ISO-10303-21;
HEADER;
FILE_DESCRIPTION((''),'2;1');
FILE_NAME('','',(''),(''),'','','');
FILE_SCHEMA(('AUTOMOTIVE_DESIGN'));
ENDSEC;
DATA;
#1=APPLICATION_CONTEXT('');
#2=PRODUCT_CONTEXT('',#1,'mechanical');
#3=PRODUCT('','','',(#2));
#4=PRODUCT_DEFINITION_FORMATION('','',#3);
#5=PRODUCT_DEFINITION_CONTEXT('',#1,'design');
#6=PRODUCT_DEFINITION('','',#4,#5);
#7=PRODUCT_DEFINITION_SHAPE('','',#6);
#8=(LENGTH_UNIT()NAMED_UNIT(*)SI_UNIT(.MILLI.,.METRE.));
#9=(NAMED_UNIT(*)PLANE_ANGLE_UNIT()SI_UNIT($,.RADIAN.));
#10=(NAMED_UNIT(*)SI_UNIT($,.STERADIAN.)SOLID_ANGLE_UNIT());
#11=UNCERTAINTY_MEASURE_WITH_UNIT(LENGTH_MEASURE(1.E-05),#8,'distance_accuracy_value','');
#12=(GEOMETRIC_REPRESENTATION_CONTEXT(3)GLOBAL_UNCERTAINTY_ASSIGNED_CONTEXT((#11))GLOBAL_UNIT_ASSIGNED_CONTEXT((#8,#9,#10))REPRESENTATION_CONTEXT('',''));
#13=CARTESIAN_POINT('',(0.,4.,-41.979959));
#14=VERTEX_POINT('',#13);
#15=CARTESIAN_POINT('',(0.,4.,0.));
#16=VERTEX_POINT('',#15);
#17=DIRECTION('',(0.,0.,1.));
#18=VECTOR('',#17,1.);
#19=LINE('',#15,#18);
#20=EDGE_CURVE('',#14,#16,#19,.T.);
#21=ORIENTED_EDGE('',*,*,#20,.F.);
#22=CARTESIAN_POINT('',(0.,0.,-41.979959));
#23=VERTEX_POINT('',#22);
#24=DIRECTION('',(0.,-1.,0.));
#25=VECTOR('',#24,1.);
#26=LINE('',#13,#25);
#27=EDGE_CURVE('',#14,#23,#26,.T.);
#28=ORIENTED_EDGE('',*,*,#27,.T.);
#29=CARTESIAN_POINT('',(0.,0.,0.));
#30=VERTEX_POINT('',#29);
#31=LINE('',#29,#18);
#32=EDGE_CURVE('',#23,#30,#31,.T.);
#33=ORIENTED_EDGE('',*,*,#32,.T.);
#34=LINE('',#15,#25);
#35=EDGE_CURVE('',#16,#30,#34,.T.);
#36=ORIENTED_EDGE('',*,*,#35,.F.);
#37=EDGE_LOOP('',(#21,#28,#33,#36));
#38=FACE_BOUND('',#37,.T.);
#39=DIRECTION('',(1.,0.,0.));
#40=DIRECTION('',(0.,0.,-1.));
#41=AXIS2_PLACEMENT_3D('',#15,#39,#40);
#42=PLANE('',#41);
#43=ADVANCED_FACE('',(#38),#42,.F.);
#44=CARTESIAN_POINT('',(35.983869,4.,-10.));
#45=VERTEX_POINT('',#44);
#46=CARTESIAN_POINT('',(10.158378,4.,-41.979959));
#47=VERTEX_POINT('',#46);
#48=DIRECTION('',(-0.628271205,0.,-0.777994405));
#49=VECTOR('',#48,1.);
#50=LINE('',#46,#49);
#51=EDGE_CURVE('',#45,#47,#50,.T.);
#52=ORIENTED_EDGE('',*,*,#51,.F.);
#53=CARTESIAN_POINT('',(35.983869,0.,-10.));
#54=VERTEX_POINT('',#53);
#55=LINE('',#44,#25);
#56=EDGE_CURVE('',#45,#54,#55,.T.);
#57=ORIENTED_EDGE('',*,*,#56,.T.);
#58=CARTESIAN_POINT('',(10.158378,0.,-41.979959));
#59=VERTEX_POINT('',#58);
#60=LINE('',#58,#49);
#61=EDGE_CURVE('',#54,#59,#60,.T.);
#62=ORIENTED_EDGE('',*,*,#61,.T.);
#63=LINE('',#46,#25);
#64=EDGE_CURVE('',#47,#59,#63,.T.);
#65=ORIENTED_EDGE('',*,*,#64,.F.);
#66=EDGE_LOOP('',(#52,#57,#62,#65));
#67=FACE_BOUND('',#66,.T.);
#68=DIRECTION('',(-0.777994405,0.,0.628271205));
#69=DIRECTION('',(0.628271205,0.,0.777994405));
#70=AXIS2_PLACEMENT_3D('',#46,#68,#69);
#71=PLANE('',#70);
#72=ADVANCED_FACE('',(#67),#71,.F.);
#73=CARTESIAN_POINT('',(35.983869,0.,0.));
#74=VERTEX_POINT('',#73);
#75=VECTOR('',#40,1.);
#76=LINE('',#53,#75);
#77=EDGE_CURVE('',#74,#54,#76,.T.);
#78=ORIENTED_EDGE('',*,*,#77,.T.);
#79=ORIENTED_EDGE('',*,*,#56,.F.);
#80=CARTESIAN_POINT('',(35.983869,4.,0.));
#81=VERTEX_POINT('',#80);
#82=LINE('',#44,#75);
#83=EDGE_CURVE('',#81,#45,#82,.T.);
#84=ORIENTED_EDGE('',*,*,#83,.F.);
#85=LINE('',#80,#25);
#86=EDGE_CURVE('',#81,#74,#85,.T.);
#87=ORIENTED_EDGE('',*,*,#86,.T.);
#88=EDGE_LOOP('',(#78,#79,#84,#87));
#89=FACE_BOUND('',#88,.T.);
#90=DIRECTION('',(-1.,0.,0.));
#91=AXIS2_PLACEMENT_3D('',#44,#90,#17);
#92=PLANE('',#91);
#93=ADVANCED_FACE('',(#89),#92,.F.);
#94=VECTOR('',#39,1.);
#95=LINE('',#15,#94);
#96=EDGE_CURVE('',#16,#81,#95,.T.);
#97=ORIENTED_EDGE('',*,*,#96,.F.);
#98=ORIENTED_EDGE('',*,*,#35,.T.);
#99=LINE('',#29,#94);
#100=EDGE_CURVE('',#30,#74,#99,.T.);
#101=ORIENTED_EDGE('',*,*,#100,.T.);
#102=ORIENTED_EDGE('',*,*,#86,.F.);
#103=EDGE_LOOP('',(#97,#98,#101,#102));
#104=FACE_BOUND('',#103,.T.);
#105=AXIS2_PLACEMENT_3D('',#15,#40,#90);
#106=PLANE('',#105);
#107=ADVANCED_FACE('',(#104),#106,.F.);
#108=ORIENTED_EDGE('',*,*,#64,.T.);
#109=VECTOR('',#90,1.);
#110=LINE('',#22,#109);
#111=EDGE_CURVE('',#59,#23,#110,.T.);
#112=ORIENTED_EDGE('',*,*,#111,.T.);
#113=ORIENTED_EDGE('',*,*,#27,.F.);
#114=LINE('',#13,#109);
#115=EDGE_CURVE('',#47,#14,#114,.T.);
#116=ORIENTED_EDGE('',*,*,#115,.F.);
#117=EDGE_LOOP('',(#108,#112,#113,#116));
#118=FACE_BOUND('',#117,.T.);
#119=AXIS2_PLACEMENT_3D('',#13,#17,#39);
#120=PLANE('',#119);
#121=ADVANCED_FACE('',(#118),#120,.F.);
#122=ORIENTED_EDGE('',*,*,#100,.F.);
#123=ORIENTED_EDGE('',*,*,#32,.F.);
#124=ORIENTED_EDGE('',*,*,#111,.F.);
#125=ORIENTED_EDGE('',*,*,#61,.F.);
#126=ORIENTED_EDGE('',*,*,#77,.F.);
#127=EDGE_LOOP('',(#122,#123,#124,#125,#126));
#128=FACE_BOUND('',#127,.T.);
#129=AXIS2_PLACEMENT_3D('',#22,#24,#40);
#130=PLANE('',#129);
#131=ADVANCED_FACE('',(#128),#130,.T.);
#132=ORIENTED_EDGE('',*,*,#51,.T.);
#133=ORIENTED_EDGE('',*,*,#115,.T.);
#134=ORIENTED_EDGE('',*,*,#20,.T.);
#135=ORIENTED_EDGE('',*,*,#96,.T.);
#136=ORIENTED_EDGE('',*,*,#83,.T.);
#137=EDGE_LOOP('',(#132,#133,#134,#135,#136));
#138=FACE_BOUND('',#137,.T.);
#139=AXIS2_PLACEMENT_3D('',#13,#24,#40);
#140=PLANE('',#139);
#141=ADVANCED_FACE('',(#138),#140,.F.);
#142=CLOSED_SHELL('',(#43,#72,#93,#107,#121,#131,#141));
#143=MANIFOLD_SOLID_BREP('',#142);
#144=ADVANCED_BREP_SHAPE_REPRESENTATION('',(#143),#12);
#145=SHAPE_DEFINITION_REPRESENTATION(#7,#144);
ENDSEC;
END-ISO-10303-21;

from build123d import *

# Parameters (mm, degrees)
EXTRUDE_1_DEPTH = 4


with BuildPart() as part:
    # Эскиз1 → Вытянуть1 (new body)
    with BuildSketch(Plane(origin=(0, 0, 0), x_dir=(1, 0, 0), z_dir=(0, 1, 0))):
        Polygon((10.158377506, 41.979959372), (35.983868539, 10.000000119), (35.983868539, 0), (0, 0), (0, 41.979959372), align=None)
    extrude(amount=EXTRUDE_1_DEPTH)


solid = part.part
